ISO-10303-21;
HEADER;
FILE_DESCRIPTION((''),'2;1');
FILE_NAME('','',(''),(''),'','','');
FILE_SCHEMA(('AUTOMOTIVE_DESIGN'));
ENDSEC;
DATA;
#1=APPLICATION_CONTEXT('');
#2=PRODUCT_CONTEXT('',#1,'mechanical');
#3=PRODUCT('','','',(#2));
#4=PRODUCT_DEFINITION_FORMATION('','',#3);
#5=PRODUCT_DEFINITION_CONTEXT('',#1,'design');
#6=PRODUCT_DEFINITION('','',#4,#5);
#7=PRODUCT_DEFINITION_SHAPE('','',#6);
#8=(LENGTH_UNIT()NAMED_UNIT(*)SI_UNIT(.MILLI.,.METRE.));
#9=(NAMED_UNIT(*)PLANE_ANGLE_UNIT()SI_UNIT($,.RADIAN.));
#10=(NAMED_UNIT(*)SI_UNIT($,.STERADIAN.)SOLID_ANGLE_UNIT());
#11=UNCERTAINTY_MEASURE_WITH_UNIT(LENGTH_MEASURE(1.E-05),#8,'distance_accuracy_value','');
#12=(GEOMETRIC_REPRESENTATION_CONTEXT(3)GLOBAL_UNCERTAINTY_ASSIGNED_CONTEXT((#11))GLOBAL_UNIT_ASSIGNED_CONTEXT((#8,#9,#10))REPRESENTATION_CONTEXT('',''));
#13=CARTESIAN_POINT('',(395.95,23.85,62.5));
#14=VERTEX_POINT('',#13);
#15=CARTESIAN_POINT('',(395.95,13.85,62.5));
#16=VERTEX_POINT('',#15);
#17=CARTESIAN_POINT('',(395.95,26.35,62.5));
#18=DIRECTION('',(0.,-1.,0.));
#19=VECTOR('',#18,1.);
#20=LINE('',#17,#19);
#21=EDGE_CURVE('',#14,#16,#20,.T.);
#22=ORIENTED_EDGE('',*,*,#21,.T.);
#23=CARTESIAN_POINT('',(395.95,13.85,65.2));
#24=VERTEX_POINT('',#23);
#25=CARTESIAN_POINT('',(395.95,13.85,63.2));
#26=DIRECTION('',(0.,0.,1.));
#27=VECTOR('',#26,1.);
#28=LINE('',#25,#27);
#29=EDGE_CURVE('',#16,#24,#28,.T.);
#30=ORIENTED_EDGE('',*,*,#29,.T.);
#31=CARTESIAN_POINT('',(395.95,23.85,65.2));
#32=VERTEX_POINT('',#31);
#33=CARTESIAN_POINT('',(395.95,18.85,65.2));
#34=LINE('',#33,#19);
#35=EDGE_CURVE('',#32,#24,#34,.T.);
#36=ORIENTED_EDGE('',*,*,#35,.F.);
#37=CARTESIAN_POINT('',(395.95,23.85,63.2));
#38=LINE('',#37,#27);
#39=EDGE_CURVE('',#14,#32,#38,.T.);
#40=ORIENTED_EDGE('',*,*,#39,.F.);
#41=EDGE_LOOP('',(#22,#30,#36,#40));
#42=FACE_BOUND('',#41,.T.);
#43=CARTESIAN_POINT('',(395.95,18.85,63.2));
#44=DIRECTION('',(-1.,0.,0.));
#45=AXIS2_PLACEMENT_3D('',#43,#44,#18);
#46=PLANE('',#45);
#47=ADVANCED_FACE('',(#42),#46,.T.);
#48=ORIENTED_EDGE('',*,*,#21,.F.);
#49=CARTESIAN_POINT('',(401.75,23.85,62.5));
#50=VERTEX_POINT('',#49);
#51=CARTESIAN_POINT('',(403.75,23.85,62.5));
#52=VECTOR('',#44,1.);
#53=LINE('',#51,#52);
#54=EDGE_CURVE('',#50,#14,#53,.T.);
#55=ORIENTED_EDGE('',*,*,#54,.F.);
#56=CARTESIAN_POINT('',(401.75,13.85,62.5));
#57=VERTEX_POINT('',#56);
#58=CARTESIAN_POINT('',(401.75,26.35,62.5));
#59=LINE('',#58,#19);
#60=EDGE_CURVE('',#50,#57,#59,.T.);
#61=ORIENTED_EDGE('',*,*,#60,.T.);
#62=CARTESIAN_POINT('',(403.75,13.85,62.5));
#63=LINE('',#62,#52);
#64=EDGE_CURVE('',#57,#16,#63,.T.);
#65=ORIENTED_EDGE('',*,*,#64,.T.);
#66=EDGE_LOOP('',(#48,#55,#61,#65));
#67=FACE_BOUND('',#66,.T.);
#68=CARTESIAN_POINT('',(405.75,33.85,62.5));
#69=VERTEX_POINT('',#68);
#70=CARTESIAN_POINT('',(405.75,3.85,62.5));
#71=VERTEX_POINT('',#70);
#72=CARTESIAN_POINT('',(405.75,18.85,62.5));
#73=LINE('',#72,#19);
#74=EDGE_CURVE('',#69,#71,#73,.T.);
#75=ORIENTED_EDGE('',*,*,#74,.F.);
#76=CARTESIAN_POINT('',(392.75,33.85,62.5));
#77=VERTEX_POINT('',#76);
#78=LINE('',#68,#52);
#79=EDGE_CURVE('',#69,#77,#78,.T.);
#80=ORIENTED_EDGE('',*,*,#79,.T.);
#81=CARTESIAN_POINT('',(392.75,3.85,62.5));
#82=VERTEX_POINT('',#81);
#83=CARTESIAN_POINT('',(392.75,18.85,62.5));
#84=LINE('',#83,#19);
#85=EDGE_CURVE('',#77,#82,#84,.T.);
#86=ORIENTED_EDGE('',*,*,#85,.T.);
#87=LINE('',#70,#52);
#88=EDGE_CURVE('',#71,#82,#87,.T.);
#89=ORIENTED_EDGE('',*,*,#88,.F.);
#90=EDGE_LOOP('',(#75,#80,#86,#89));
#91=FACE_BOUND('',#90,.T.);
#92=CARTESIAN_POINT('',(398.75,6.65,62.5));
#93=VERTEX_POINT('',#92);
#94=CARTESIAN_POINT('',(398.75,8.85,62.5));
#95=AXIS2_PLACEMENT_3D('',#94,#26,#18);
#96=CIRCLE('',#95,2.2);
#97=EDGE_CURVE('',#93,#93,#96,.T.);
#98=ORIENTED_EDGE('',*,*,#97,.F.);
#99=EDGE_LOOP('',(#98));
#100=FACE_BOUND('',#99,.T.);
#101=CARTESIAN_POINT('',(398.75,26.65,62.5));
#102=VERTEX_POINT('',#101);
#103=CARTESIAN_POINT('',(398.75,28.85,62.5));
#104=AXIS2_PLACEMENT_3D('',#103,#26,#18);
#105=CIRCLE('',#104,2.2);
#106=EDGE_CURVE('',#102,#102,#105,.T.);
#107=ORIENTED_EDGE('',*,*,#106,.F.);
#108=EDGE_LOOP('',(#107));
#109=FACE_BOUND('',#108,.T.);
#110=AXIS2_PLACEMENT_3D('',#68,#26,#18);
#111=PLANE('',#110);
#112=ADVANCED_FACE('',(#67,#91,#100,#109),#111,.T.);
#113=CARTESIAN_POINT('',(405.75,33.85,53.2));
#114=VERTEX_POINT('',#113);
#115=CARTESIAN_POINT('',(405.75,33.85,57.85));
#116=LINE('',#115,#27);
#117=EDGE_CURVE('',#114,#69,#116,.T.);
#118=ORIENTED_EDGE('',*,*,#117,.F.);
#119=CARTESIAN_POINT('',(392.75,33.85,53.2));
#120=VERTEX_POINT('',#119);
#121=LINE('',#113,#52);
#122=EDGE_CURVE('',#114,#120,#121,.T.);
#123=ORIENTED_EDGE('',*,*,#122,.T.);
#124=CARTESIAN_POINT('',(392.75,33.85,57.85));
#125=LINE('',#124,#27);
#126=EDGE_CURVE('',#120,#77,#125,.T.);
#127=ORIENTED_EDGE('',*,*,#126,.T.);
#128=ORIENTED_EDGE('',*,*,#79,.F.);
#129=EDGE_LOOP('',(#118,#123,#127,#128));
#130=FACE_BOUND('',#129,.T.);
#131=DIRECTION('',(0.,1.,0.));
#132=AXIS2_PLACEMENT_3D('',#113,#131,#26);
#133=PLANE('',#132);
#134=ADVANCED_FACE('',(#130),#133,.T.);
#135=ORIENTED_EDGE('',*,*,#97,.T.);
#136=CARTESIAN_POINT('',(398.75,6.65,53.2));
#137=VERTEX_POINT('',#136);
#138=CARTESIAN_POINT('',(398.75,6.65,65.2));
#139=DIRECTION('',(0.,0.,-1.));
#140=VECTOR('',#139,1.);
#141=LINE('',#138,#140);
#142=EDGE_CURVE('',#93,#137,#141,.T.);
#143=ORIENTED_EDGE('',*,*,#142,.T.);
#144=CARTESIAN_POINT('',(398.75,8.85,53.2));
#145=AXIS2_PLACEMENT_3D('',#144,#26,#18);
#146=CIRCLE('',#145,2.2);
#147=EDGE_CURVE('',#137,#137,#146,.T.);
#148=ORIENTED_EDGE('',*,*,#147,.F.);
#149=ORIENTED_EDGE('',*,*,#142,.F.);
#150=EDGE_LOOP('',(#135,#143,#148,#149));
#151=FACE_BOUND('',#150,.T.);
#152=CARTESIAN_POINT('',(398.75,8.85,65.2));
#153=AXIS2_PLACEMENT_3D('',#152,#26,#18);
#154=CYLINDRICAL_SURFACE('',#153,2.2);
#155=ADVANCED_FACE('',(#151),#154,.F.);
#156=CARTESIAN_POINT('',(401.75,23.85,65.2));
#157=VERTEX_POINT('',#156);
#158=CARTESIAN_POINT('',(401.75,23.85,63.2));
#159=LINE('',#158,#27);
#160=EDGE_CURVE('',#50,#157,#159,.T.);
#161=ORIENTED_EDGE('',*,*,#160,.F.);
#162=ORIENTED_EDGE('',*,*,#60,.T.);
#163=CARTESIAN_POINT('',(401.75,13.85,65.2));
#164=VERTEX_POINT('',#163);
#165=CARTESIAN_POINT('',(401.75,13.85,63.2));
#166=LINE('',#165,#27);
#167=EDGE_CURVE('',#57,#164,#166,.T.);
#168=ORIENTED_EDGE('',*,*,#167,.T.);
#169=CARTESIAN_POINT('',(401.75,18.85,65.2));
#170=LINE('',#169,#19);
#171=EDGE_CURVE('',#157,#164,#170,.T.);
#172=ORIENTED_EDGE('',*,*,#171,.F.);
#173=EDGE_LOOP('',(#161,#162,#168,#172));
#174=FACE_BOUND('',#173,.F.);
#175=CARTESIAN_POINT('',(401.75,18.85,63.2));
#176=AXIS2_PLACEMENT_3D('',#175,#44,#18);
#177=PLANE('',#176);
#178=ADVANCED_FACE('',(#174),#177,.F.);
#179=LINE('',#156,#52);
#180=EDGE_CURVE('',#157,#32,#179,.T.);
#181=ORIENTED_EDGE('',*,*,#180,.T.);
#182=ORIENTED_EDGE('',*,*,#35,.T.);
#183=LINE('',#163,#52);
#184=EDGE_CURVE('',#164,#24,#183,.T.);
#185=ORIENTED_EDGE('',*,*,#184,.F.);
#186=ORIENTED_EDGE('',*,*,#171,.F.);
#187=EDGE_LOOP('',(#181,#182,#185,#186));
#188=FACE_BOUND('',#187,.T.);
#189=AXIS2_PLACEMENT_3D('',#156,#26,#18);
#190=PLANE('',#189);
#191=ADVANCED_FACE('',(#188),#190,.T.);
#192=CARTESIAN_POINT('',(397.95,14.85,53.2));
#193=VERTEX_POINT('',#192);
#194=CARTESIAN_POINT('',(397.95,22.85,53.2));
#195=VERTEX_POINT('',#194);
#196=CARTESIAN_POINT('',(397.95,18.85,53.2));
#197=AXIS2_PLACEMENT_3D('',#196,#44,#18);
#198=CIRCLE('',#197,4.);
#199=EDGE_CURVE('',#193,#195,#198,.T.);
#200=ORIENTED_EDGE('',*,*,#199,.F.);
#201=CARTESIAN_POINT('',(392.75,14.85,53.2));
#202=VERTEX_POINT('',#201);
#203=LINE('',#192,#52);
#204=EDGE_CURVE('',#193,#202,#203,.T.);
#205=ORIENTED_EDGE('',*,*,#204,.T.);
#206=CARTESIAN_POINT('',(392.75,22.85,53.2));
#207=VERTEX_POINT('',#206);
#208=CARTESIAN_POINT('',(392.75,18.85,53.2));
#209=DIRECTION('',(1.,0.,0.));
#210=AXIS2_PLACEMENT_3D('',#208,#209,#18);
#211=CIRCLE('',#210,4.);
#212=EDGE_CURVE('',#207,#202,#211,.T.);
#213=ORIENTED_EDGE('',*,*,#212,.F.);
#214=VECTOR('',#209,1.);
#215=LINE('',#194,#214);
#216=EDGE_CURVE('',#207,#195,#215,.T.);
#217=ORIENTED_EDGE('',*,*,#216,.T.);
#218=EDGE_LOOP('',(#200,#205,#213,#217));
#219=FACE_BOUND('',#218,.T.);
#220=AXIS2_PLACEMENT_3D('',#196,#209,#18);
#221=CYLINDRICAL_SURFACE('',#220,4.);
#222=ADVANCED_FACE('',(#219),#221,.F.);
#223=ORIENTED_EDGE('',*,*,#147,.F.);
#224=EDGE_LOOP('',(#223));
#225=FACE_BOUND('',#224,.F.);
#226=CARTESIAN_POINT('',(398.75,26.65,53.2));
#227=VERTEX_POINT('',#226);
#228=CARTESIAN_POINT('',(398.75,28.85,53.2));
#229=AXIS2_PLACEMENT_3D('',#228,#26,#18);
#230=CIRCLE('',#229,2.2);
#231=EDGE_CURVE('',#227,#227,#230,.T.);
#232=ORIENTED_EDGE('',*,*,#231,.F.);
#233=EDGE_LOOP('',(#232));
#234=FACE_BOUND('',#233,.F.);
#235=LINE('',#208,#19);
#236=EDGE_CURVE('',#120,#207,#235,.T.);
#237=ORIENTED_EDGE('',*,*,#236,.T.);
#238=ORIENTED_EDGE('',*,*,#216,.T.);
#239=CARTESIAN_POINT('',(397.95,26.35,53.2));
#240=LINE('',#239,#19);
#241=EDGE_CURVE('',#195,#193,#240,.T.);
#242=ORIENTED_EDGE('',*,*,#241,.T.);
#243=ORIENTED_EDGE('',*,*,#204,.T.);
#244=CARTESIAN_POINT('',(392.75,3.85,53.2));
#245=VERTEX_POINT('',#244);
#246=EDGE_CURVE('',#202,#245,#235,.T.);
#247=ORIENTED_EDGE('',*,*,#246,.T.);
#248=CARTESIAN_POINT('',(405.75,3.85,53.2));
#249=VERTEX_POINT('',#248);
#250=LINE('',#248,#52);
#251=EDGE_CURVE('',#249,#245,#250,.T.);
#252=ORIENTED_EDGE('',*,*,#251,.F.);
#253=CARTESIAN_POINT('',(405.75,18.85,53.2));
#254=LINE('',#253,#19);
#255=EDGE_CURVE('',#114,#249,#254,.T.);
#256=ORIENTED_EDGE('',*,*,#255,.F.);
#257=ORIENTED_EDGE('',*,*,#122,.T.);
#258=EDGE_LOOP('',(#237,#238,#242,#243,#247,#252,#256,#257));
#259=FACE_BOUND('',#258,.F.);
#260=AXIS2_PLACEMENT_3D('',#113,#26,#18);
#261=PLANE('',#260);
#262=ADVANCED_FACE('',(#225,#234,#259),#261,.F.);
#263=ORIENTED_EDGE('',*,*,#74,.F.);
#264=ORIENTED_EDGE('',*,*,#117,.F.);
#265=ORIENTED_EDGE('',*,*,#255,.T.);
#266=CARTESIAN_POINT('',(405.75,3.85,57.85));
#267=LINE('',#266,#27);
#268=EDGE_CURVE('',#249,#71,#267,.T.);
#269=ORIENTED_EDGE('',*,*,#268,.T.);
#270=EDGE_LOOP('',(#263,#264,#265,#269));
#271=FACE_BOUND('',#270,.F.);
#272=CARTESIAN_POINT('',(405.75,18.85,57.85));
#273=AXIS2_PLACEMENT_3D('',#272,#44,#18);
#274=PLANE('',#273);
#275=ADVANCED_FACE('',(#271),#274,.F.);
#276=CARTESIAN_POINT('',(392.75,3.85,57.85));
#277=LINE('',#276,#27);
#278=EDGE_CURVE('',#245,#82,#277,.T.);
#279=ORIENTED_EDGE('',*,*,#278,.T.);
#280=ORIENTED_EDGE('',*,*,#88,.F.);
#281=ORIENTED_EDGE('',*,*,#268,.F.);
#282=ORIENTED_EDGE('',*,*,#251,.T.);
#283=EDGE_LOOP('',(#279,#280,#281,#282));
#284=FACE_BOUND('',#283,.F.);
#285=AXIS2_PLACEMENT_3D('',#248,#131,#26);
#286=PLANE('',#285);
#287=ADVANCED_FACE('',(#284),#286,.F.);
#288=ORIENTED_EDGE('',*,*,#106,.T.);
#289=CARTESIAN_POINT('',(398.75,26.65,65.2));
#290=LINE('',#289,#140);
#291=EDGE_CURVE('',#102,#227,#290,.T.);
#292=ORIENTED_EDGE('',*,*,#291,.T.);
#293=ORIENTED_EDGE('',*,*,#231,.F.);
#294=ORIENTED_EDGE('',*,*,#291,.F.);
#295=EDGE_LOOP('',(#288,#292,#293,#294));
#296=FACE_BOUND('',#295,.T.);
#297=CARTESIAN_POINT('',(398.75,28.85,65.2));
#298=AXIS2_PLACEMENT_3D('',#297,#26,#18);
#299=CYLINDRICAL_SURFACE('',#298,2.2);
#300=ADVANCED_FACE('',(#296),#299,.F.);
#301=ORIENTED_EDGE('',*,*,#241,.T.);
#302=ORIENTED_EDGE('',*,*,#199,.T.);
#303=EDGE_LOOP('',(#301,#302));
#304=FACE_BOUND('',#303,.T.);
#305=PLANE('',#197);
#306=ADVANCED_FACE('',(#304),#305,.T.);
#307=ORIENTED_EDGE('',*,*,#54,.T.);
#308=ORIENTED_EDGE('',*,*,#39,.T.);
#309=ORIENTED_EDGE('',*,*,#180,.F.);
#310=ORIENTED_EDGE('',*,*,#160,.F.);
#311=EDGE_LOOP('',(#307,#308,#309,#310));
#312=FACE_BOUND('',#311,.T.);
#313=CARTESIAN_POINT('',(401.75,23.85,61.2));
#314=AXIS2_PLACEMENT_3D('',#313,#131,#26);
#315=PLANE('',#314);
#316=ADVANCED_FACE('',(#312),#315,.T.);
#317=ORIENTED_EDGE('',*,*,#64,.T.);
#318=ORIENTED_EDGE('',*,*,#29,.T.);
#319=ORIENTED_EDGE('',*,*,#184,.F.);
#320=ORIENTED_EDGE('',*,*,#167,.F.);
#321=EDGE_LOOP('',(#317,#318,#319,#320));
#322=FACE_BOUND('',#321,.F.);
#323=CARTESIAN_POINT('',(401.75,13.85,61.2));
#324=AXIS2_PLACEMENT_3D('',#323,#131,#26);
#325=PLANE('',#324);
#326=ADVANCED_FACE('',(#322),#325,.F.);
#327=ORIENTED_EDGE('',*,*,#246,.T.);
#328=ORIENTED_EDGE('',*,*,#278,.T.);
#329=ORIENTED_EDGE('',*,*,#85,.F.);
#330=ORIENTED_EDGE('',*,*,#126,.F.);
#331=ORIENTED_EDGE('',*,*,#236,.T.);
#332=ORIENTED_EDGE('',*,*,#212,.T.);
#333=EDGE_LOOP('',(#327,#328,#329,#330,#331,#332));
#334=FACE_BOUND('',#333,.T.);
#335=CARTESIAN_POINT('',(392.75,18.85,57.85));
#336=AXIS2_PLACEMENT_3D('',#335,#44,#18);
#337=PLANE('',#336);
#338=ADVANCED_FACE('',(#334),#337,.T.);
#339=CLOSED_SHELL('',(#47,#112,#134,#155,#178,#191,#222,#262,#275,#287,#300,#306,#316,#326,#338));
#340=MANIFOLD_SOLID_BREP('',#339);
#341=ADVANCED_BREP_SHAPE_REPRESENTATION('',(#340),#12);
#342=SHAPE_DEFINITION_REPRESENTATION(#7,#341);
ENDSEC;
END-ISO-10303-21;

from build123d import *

# Parameters (mm, degrees)
BOX056_W                  = 10
BOX056_H                  = 4
BOX056_DEPTH              = 5.8
CYLINDER077_R             = 2.2
CYLINDER077_DEPTH         = 25
CYLINDER076_R             = 2.2
CYLINDER076_DEPTH         = 25
CYLINDER075_R             = 4
CYLINDER075_DEPTH         = 6
BOX055_W                  = 30
BOX055_H                  = 9.3
BOX055_DEPTH              = 13
FUSION044_ROLL_ANGLE      = 90
FUSION044_PLACEMENT_ANGLE = -90


with BuildPart() as quader035:
    # Box056 → Box056 (new body)
    with BuildSketch(Plane(origin=(-5, 8, 2), x_dir=(1, 0, 0), z_dir=(0, 0, 1))):
        with Locations((5, 2)):
            Rectangle(BOX056_W, BOX056_H)
    extrude(amount=BOX056_DEPTH)


with BuildPart() as zylinder066:
    # Cylinder077 → Cylinder077 (new body)
    with BuildSketch(Plane(origin=(-10, 12, 5), x_dir=(1, 0, 0), z_dir=(0, -1, 0))):
        Circle(CYLINDER077_R)
    extrude(amount=CYLINDER077_DEPTH)


with BuildPart() as zylinder065:
    # Cylinder076 → Cylinder076 (new body)
    with BuildSketch(Plane(origin=(10, 12, 5), x_dir=(1, 0, 0), z_dir=(0, -1, 0))):
        Circle(CYLINDER076_R)
    extrude(amount=CYLINDER076_DEPTH)


with BuildPart() as zylinder064:
    # Cylinder075 → Cylinder075 (new body)
    with BuildSketch(Plane.XY.offset(5.8)):
        Circle(CYLINDER075_R)
    extrude(amount=CYLINDER075_DEPTH)


with BuildPart() as y_drive_mount002:
    # Box055 → Box055 (new body)
    with BuildSketch(Plane(origin=(-15, 0, -2), x_dir=(1, 0, 0), z_dir=(0, 0, 1))):
        with Locations((15, 4.65)):
            Rectangle(BOX055_W, BOX055_H)
    extrude(amount=BOX055_DEPTH)

    # Cut084: cut Zylinder064
    add(zylinder064.part, mode=Mode.SUBTRACT)

    # Cut085: cut Zylinder065
    add(zylinder065.part, mode=Mode.SUBTRACT)

    # Cut086: cut Zylinder066
    add(zylinder066.part, mode=Mode.SUBTRACT)

    # Fusion044: union Quader035
    add(quader035.part)


with BuildPart() as y_drive_mount002_1:
    # Fusion044 roll: moved
    add(y_drive_mount002.part.rotate(Axis((0, 0, 0), (1, 0, 0)), FUSION044_ROLL_ANGLE))


with BuildPart() as y_drive_mount002_2:
    # Fusion044 placement: moved
    add(y_drive_mount002_1.part.moved(Location((403.75, 18.85, 53.2))).rotate(Axis((403.75, 18.85, 53.2), (0, 0, 1)), FUSION044_PLACEMENT_ANGLE))


solid = y_drive_mount002_2.part
